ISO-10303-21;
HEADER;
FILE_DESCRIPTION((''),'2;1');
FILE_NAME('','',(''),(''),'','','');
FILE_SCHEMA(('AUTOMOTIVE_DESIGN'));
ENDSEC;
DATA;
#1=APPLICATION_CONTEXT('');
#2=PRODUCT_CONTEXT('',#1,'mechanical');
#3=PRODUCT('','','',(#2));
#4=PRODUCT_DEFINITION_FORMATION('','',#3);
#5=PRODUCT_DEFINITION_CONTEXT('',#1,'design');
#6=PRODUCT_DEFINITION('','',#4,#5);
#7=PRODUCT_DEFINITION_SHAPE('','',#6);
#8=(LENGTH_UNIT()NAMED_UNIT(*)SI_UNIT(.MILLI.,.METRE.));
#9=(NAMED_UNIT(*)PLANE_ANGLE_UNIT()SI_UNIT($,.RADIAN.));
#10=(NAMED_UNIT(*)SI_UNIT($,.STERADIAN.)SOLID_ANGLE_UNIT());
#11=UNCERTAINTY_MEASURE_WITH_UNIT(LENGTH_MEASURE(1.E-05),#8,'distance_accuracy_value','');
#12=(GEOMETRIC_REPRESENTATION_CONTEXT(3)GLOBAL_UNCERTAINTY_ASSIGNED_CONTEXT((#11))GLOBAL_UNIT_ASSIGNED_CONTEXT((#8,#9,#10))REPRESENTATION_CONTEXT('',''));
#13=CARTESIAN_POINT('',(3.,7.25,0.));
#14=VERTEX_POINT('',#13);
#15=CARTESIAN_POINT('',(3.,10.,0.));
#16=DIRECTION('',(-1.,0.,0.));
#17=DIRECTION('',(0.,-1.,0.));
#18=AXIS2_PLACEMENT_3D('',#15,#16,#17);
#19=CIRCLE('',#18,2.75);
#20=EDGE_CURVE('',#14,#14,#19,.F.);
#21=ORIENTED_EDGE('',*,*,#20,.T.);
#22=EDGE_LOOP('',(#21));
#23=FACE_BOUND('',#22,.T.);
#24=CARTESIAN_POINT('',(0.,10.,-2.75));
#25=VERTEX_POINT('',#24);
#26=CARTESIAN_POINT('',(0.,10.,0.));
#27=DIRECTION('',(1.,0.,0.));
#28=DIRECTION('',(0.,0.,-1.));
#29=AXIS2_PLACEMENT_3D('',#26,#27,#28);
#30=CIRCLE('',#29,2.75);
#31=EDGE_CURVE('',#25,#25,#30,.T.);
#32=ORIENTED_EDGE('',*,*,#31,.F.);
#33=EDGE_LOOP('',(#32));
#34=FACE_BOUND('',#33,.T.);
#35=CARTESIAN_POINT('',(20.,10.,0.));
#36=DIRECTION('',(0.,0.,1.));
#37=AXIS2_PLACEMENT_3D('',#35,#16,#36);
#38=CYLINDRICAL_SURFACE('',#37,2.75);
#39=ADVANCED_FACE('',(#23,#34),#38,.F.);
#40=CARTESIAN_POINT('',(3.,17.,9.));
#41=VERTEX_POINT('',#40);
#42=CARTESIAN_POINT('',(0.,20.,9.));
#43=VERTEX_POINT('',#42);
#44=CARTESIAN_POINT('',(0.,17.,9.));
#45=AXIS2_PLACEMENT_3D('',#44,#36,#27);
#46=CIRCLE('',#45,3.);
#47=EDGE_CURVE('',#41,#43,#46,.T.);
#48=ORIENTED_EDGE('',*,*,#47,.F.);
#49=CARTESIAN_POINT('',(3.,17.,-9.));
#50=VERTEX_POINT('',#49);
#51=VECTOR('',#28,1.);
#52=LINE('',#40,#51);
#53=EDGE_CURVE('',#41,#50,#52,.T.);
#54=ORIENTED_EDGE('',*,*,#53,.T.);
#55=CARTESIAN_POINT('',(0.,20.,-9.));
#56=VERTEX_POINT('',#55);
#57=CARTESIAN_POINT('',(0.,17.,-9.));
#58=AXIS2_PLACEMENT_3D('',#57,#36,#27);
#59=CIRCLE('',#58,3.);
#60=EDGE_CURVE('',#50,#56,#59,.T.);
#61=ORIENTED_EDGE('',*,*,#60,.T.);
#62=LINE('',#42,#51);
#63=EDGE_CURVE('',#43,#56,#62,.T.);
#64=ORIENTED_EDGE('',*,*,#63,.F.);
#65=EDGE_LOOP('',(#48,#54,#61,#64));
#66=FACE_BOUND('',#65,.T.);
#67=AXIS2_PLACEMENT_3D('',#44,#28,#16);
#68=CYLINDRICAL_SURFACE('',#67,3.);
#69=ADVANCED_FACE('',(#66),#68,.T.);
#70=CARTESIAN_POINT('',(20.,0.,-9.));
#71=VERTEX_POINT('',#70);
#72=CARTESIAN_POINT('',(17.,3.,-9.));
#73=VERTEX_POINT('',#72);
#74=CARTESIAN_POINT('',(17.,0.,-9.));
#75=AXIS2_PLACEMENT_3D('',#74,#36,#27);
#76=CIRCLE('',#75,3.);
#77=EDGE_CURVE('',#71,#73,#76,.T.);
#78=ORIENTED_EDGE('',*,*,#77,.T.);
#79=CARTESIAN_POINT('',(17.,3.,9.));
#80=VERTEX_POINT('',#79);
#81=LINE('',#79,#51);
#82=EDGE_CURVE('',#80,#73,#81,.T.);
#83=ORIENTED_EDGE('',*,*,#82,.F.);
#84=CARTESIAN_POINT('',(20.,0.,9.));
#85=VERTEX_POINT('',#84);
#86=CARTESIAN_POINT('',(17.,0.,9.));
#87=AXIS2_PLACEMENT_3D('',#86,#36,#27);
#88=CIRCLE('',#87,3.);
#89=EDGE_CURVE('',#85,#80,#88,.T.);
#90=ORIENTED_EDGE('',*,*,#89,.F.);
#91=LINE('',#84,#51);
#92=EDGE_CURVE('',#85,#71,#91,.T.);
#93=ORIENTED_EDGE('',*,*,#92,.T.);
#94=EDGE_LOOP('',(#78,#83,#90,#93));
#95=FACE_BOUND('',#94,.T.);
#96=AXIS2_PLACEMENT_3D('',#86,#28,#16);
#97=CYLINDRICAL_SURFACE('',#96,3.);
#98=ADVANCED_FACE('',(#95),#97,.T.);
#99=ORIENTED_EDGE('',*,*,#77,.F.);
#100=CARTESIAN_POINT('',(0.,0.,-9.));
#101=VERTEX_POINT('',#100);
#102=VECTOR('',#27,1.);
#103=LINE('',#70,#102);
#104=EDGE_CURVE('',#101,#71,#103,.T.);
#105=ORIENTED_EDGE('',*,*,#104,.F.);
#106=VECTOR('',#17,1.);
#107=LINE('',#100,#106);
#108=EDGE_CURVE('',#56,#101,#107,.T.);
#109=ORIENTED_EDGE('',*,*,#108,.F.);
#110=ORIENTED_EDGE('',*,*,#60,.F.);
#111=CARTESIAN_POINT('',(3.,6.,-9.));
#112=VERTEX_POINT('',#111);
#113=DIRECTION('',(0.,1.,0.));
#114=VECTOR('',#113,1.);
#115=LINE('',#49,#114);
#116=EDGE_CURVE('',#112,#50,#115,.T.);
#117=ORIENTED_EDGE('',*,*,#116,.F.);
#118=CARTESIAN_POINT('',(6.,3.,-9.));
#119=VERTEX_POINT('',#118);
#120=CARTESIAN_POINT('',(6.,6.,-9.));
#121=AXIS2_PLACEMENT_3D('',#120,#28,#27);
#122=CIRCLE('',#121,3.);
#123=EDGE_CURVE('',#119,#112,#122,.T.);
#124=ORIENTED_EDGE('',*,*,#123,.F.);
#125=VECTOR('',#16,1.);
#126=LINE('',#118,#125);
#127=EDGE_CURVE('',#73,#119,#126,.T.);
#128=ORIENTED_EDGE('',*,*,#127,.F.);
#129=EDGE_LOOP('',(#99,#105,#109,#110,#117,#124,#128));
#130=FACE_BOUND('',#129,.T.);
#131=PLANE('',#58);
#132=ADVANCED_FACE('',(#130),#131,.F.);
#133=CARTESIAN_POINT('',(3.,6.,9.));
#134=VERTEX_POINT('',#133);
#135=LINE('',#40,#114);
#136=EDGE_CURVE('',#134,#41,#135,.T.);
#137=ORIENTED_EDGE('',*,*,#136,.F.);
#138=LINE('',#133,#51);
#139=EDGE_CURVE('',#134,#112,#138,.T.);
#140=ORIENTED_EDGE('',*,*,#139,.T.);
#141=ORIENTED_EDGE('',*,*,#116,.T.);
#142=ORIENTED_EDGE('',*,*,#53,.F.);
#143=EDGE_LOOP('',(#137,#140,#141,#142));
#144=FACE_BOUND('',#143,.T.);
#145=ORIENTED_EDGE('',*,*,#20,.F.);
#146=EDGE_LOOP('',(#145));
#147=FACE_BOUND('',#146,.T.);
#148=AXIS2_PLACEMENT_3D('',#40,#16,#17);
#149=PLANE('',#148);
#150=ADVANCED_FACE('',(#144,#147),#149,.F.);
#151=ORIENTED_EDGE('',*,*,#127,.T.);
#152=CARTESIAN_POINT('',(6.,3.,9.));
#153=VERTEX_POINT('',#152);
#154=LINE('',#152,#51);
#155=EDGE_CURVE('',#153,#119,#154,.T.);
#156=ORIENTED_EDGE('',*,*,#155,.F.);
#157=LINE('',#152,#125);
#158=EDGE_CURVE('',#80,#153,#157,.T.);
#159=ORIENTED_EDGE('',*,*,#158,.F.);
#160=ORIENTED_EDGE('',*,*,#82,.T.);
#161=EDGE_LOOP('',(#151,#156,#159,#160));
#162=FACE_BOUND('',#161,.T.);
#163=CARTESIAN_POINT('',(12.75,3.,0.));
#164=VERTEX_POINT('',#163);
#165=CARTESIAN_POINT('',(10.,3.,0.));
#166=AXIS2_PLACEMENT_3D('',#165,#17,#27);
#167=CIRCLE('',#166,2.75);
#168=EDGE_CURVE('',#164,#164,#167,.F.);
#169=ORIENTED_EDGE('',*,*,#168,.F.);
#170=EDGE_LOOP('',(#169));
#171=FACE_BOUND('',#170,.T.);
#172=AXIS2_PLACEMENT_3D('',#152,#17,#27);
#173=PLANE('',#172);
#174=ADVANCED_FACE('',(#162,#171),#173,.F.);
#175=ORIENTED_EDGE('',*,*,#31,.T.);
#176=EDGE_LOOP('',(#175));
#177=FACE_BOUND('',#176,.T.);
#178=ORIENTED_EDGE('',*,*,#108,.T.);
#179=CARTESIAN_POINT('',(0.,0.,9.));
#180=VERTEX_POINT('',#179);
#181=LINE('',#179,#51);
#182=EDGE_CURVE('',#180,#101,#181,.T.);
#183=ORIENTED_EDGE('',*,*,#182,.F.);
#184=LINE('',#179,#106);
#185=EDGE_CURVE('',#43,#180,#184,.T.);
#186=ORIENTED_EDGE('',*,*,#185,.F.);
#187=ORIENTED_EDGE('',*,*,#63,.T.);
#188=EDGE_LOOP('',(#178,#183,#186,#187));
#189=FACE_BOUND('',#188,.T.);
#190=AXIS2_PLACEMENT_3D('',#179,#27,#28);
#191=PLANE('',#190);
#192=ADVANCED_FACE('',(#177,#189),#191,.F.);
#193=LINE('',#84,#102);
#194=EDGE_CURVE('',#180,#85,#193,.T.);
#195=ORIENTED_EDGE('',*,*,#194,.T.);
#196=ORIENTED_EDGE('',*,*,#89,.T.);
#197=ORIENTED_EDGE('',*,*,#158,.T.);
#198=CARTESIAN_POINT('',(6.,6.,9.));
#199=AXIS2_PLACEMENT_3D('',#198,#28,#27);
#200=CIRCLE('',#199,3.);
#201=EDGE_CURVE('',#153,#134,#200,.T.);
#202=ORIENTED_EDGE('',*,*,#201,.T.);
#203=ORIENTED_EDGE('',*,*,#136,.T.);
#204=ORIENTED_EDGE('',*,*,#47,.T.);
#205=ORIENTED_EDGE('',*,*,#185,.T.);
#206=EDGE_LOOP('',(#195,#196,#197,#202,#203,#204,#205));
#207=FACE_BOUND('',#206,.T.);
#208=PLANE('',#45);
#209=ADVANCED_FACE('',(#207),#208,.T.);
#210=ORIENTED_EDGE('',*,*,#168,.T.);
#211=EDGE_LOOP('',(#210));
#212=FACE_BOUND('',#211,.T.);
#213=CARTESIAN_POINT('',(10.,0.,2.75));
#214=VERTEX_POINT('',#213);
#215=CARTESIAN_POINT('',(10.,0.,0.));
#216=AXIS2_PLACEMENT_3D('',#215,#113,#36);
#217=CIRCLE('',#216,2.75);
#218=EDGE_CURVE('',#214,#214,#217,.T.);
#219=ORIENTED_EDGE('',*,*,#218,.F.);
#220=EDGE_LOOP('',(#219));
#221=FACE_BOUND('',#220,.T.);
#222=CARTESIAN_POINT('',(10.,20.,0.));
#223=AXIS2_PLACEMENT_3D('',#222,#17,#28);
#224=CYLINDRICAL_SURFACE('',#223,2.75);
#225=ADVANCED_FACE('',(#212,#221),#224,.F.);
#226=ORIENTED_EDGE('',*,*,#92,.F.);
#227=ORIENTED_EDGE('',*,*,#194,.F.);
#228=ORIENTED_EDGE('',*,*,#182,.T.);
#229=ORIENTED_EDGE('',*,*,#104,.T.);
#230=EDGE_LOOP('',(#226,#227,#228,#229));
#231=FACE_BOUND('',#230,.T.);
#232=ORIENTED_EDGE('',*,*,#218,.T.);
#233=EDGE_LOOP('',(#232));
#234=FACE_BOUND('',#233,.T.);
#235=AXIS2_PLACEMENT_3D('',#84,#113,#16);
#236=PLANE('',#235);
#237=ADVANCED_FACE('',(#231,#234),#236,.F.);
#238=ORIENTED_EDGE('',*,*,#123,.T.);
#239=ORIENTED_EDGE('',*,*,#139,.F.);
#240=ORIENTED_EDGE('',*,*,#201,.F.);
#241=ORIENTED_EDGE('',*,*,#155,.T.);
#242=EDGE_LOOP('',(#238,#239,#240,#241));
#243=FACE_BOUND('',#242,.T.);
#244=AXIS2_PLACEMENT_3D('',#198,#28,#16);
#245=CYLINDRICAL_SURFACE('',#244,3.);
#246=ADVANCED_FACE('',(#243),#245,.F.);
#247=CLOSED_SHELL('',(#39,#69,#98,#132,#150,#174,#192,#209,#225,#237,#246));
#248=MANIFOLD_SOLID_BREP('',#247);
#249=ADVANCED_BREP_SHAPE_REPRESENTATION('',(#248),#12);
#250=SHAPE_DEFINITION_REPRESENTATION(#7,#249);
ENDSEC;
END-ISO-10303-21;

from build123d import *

# Parameters (mm, degrees)
BOSS_EXTRUDE1_DEPTH = 9
SKETCH2_R           = 2.75
CUT_EXTRUDE1_DEPTH  = 21
SKETCH3_R           = 2.75
CUT_EXTRUDE2_DEPTH  = 21


with BuildPart() as part:
    # Sketch1 → Boss-Extrude1 (new body, symmetric)
    with BuildSketch(Plane.XY):
        with BuildLine():
            Line((0, 0), (0, 20))
            ThreePointArc((0, 20), (2.121320344, 19.121320344), (3, 17))
            Line((3, 17), (3, 6))
            ThreePointArc((3, 6), (3.878679656, 3.878679656), (6, 3))
            Line((6, 3), (17, 3))
            ThreePointArc((17, 3), (19.121320344, 2.121320344), (20, 0))
            Line((20, 0), (0, 0))
        make_face()
    extrude(amount=BOSS_EXTRUDE1_DEPTH, both=True)

    # Sketch2 → Cut-Extrude1 (cut, through all)
    with BuildSketch(Plane(origin=(0, 0, 0), x_dir=(1, 0, 0), z_dir=(0, 1, 0))):
        with Locations((10, 0)):
            Circle(SKETCH2_R)
    extrude(amount=CUT_EXTRUDE1_DEPTH, mode=Mode.SUBTRACT)

    # Sketch3 → Cut-Extrude2 (cut, through all)
    with BuildSketch(Plane(origin=(0, 0, 0), x_dir=(0, 0, -1), z_dir=(1, 0, 0))):
        with Locations((0, 10)):
            Circle(SKETCH3_R)
    extrude(amount=CUT_EXTRUDE2_DEPTH, mode=Mode.SUBTRACT)


solid = part.part
